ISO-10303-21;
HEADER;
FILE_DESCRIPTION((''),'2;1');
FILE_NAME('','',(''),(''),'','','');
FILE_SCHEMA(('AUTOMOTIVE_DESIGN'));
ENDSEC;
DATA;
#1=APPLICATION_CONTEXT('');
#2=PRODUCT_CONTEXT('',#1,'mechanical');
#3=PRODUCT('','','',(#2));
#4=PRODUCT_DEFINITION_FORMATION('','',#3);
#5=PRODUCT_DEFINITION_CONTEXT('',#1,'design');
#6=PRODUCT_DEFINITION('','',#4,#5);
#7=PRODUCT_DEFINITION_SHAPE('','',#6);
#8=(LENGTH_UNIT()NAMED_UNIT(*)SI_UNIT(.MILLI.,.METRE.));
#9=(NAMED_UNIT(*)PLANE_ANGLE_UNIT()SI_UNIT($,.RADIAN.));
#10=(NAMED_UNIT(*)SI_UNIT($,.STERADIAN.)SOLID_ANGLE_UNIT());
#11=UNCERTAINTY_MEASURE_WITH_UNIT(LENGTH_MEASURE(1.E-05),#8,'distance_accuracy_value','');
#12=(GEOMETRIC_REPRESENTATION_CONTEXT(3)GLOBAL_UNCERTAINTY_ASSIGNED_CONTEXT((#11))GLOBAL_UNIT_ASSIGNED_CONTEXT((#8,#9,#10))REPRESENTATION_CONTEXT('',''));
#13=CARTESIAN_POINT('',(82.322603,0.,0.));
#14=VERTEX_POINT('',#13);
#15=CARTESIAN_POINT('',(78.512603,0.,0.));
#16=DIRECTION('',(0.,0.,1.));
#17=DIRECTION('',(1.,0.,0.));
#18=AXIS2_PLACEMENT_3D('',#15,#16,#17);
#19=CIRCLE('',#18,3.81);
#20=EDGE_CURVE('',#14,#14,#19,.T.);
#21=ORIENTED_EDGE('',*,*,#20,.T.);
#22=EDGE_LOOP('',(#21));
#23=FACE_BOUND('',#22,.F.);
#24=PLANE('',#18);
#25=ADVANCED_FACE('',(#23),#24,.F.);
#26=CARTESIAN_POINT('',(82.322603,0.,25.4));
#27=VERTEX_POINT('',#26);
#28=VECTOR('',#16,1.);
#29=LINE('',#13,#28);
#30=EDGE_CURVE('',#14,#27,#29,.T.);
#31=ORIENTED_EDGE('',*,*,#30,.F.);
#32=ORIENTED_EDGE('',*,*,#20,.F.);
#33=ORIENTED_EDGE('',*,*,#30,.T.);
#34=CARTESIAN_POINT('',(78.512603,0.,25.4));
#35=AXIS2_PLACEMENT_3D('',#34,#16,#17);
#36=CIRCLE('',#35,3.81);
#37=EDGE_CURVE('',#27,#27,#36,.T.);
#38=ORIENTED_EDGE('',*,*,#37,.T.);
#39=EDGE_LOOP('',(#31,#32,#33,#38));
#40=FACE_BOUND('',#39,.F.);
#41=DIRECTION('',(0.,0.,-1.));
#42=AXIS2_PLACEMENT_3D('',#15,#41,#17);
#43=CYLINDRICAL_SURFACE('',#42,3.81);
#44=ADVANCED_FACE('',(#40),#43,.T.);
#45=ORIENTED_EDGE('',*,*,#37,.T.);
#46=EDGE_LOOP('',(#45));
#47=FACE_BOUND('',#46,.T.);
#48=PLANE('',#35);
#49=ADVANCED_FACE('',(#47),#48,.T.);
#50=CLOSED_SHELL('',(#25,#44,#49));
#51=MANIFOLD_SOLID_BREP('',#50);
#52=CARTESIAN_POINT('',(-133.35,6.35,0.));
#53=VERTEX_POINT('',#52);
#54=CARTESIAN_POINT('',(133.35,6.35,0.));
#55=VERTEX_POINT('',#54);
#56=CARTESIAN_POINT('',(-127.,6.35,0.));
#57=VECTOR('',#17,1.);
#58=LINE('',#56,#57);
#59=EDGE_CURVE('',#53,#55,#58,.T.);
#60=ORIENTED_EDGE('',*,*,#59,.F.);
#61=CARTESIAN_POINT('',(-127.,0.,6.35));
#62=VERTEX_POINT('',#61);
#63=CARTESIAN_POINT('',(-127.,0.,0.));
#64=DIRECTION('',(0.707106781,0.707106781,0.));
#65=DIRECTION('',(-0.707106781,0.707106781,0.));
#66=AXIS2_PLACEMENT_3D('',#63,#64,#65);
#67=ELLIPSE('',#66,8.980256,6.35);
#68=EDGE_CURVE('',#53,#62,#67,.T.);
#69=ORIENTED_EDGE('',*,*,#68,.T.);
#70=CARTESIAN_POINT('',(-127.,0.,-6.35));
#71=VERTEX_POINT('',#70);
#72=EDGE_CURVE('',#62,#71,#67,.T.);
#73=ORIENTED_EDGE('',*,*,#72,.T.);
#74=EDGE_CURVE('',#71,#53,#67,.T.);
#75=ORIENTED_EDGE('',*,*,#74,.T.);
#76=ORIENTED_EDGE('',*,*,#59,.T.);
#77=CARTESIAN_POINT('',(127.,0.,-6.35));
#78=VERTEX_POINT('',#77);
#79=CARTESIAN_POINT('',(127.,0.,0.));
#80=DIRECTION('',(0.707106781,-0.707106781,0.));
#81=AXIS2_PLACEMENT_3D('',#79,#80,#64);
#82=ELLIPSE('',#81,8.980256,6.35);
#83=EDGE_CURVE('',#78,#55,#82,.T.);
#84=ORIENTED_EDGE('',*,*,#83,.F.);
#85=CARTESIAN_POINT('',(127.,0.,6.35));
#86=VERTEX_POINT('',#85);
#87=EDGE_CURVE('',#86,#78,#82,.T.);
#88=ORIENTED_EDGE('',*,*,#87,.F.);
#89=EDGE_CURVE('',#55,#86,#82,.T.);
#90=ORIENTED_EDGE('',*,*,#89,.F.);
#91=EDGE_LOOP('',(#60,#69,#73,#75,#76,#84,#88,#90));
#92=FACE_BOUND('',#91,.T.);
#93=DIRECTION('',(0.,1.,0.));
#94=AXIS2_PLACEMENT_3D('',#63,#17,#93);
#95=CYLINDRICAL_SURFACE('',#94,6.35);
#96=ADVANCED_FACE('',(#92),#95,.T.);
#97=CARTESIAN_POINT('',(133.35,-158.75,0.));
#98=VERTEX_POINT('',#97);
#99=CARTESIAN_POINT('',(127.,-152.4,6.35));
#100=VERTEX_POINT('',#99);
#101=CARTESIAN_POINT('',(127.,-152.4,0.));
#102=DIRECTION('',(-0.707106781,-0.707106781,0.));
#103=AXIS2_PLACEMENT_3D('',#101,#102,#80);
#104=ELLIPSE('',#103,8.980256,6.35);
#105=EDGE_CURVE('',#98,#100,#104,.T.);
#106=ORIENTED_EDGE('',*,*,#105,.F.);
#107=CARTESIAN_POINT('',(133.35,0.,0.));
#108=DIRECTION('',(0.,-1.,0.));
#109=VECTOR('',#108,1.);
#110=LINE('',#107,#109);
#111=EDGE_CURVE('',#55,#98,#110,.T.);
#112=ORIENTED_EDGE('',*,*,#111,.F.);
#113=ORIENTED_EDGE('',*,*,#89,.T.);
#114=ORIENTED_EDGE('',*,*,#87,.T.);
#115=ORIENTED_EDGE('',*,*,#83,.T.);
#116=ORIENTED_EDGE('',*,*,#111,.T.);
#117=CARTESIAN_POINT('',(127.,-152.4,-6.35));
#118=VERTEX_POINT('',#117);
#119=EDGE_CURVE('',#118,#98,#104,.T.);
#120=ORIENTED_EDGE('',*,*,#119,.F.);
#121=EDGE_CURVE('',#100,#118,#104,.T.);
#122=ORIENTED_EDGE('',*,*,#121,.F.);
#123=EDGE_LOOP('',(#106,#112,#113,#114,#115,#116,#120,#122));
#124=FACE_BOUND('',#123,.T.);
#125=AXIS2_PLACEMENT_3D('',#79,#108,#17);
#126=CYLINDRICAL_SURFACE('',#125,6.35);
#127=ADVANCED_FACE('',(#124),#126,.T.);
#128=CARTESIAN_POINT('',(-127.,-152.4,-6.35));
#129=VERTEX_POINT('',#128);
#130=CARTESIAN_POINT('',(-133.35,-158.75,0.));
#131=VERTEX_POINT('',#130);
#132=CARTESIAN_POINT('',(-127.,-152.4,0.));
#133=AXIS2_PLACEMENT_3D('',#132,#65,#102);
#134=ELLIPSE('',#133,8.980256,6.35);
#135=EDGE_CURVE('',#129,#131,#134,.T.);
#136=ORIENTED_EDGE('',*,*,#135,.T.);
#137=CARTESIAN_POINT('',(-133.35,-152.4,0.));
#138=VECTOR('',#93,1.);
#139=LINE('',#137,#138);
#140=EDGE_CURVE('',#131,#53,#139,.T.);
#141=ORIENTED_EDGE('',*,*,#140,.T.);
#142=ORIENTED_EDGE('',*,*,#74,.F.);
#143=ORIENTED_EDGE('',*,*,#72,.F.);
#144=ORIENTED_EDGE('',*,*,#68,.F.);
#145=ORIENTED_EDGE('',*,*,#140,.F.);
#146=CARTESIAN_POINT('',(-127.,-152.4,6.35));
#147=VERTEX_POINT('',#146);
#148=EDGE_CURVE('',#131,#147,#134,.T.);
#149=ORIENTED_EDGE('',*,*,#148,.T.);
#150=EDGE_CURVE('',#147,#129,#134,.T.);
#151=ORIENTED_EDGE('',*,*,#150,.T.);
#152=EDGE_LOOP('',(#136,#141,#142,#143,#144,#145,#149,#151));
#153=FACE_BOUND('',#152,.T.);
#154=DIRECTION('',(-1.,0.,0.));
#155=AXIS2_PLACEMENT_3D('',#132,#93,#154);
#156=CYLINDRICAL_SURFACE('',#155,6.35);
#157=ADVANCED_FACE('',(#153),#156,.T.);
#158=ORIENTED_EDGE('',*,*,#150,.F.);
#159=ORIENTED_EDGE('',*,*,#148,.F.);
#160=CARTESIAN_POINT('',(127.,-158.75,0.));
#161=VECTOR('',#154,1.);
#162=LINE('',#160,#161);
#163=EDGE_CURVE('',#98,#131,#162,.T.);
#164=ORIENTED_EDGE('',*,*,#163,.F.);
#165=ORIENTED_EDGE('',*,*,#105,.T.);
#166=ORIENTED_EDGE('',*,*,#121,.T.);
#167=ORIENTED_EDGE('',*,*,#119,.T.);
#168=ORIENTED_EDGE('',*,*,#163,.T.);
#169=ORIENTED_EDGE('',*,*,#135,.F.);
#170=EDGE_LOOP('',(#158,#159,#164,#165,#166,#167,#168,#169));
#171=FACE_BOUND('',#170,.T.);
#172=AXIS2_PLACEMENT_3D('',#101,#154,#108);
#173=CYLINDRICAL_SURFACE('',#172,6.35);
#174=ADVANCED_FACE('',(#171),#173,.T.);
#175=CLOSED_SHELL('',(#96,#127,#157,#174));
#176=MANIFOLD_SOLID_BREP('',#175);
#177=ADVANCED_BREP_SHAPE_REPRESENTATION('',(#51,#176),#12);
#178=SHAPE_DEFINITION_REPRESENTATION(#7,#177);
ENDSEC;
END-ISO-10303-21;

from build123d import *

# Parameters (mm, degrees)
F0_R     = 6.35
F3_R     = 3.81
F4_DEPTH = 25.4


with BuildPart() as f2:
    # F2: sweep along a path in F1
    with BuildLine(Plane.XY) as f2_path:
        Line((0, 0), (127, 0))
        Line((127, 0), (127, -152.4))
        Line((127, -152.4), (-127, -152.4))
        Line((-127, -152.4), (-127, 0))
        Line((-127, 0), (0, 0))
    # F0 (on Right) → F2 (sweep)
    with BuildSketch(Plane.YZ):
        Circle(F0_R)
    sweep(path=f2_path.line, transition=Transition.RIGHT)


with BuildPart() as f4:
    # F3 (on Top) → F4 (new body)
    with BuildSketch(Plane.XY):
        with Locations((78.5126033376, 0)):
            Circle(F3_R)
    extrude(amount=F4_DEPTH)


solid = Compound([f2.part, f4.part])
